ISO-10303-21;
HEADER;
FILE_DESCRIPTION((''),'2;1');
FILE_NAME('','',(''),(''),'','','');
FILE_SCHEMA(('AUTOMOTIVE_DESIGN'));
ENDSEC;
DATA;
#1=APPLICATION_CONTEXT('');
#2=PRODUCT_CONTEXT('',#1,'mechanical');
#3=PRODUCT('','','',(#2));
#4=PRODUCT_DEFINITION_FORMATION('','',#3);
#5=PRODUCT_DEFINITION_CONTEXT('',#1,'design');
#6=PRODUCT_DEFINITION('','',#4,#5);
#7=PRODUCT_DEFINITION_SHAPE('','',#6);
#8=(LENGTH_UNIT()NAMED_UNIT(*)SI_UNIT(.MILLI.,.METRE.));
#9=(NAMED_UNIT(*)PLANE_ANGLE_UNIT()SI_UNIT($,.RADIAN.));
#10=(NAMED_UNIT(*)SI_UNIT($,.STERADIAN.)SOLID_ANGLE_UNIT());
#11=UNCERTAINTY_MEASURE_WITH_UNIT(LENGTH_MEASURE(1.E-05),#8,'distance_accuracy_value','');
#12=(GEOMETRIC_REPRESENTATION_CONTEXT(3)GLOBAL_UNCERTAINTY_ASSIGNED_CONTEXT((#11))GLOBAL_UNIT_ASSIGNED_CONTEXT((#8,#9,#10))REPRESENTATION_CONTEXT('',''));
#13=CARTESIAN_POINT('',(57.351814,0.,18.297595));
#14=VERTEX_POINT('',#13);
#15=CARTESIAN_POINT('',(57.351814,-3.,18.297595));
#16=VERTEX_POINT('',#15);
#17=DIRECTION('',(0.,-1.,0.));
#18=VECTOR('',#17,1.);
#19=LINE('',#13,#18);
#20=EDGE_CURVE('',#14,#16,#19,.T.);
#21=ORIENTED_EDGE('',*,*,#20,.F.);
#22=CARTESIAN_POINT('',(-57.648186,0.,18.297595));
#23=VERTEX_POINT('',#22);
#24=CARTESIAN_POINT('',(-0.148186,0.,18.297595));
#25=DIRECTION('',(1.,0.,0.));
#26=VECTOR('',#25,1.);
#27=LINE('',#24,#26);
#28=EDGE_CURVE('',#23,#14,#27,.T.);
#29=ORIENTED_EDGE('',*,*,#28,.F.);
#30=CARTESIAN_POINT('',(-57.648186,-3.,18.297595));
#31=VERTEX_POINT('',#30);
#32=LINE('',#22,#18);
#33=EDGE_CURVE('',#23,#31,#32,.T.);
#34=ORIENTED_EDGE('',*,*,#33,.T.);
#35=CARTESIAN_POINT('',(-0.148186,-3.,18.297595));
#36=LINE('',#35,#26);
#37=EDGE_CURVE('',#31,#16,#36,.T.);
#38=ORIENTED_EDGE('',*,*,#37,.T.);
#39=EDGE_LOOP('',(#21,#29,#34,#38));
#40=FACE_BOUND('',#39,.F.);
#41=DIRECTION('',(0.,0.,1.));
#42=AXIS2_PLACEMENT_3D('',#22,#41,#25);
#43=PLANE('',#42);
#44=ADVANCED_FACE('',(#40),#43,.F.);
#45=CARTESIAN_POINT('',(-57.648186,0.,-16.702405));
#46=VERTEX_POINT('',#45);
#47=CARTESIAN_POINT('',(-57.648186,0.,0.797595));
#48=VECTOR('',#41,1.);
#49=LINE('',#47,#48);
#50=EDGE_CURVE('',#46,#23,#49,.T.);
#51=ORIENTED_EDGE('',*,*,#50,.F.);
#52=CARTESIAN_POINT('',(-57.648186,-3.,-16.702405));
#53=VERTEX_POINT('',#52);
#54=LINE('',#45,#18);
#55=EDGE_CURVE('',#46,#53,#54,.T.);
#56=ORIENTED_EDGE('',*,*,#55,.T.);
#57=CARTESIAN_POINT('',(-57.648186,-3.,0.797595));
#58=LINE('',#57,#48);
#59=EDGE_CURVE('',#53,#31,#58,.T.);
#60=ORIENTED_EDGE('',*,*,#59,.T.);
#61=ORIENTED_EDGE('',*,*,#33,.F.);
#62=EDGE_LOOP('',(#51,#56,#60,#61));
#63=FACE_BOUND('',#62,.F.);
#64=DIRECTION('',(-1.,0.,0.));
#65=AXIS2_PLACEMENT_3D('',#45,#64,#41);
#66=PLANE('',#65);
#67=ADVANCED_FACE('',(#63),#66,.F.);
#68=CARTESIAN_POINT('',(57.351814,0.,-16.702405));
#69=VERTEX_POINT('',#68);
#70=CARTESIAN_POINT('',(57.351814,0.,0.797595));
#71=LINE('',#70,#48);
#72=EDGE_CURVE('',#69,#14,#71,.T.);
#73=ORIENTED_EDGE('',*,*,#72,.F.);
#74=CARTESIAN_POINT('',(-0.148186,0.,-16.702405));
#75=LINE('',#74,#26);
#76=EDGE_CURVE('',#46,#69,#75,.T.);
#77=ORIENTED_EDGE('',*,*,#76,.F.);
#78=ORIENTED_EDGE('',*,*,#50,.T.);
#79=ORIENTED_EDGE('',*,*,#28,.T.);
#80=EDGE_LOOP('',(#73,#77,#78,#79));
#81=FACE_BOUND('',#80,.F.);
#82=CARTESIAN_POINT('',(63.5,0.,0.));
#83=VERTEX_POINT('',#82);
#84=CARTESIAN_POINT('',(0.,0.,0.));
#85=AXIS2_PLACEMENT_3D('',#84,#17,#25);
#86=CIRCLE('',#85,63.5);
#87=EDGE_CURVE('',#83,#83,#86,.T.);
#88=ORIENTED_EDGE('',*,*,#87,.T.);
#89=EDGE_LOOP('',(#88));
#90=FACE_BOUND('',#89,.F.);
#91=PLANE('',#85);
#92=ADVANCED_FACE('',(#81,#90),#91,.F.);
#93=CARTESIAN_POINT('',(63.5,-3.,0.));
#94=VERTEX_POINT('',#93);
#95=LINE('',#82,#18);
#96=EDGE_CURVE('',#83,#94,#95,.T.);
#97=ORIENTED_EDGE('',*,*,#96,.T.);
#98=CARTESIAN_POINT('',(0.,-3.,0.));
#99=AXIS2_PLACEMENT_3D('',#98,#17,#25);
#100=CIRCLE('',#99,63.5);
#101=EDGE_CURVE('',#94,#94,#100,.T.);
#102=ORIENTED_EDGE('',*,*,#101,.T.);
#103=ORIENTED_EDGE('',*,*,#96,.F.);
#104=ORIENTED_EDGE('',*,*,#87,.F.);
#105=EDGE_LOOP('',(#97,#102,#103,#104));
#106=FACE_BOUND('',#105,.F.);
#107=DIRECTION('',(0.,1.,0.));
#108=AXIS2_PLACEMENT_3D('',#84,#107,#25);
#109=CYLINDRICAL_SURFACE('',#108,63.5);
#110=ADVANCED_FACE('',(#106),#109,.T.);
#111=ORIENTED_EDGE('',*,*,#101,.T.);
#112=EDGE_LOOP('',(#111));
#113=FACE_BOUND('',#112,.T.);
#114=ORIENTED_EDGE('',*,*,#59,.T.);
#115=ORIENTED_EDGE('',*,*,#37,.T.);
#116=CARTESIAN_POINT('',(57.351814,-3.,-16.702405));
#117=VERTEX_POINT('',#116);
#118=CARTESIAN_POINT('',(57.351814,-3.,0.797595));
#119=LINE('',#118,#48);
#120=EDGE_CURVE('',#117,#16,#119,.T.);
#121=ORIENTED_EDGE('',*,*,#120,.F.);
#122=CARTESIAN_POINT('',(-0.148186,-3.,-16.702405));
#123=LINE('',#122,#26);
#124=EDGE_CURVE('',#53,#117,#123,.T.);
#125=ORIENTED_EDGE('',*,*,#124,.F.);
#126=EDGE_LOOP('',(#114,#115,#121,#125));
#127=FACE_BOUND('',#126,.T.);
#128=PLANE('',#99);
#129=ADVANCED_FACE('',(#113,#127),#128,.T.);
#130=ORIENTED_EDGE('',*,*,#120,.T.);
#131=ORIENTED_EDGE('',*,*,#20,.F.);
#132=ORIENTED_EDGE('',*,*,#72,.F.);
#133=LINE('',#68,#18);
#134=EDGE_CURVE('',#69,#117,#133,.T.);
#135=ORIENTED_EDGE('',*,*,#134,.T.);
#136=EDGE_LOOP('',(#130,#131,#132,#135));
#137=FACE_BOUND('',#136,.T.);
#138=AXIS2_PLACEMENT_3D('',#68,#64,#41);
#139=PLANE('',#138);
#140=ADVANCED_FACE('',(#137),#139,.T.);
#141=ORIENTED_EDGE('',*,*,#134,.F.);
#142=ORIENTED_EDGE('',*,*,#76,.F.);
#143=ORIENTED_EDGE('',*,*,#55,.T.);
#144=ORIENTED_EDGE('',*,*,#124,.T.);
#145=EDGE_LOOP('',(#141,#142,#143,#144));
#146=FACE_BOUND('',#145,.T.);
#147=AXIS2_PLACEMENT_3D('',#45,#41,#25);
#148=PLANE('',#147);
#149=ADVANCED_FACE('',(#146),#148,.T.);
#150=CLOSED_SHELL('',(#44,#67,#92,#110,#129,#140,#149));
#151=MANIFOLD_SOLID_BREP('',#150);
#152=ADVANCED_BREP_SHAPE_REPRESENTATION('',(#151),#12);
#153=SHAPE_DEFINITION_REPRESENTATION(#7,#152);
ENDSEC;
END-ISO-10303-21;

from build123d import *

# Parameters (mm, degrees)
F0_R     = 63.5
F1_DEPTH = 3
F2_W     = 115
F2_H     = 35
F3_DEPTH = 3


with BuildPart() as f1:
    # F0 (on Front) → F1 (new body)
    with BuildSketch(Plane.XZ):
        Circle(F0_R)
    extrude(amount=F1_DEPTH)

    # F2 (on Front) → F3 (cut)
    with BuildSketch(Plane.XZ):
        with Locations((-0.148186, 0.797595)):
            Rectangle(F2_W, F2_H)
    extrude(amount=F3_DEPTH, mode=Mode.SUBTRACT)


solid = f1.part
